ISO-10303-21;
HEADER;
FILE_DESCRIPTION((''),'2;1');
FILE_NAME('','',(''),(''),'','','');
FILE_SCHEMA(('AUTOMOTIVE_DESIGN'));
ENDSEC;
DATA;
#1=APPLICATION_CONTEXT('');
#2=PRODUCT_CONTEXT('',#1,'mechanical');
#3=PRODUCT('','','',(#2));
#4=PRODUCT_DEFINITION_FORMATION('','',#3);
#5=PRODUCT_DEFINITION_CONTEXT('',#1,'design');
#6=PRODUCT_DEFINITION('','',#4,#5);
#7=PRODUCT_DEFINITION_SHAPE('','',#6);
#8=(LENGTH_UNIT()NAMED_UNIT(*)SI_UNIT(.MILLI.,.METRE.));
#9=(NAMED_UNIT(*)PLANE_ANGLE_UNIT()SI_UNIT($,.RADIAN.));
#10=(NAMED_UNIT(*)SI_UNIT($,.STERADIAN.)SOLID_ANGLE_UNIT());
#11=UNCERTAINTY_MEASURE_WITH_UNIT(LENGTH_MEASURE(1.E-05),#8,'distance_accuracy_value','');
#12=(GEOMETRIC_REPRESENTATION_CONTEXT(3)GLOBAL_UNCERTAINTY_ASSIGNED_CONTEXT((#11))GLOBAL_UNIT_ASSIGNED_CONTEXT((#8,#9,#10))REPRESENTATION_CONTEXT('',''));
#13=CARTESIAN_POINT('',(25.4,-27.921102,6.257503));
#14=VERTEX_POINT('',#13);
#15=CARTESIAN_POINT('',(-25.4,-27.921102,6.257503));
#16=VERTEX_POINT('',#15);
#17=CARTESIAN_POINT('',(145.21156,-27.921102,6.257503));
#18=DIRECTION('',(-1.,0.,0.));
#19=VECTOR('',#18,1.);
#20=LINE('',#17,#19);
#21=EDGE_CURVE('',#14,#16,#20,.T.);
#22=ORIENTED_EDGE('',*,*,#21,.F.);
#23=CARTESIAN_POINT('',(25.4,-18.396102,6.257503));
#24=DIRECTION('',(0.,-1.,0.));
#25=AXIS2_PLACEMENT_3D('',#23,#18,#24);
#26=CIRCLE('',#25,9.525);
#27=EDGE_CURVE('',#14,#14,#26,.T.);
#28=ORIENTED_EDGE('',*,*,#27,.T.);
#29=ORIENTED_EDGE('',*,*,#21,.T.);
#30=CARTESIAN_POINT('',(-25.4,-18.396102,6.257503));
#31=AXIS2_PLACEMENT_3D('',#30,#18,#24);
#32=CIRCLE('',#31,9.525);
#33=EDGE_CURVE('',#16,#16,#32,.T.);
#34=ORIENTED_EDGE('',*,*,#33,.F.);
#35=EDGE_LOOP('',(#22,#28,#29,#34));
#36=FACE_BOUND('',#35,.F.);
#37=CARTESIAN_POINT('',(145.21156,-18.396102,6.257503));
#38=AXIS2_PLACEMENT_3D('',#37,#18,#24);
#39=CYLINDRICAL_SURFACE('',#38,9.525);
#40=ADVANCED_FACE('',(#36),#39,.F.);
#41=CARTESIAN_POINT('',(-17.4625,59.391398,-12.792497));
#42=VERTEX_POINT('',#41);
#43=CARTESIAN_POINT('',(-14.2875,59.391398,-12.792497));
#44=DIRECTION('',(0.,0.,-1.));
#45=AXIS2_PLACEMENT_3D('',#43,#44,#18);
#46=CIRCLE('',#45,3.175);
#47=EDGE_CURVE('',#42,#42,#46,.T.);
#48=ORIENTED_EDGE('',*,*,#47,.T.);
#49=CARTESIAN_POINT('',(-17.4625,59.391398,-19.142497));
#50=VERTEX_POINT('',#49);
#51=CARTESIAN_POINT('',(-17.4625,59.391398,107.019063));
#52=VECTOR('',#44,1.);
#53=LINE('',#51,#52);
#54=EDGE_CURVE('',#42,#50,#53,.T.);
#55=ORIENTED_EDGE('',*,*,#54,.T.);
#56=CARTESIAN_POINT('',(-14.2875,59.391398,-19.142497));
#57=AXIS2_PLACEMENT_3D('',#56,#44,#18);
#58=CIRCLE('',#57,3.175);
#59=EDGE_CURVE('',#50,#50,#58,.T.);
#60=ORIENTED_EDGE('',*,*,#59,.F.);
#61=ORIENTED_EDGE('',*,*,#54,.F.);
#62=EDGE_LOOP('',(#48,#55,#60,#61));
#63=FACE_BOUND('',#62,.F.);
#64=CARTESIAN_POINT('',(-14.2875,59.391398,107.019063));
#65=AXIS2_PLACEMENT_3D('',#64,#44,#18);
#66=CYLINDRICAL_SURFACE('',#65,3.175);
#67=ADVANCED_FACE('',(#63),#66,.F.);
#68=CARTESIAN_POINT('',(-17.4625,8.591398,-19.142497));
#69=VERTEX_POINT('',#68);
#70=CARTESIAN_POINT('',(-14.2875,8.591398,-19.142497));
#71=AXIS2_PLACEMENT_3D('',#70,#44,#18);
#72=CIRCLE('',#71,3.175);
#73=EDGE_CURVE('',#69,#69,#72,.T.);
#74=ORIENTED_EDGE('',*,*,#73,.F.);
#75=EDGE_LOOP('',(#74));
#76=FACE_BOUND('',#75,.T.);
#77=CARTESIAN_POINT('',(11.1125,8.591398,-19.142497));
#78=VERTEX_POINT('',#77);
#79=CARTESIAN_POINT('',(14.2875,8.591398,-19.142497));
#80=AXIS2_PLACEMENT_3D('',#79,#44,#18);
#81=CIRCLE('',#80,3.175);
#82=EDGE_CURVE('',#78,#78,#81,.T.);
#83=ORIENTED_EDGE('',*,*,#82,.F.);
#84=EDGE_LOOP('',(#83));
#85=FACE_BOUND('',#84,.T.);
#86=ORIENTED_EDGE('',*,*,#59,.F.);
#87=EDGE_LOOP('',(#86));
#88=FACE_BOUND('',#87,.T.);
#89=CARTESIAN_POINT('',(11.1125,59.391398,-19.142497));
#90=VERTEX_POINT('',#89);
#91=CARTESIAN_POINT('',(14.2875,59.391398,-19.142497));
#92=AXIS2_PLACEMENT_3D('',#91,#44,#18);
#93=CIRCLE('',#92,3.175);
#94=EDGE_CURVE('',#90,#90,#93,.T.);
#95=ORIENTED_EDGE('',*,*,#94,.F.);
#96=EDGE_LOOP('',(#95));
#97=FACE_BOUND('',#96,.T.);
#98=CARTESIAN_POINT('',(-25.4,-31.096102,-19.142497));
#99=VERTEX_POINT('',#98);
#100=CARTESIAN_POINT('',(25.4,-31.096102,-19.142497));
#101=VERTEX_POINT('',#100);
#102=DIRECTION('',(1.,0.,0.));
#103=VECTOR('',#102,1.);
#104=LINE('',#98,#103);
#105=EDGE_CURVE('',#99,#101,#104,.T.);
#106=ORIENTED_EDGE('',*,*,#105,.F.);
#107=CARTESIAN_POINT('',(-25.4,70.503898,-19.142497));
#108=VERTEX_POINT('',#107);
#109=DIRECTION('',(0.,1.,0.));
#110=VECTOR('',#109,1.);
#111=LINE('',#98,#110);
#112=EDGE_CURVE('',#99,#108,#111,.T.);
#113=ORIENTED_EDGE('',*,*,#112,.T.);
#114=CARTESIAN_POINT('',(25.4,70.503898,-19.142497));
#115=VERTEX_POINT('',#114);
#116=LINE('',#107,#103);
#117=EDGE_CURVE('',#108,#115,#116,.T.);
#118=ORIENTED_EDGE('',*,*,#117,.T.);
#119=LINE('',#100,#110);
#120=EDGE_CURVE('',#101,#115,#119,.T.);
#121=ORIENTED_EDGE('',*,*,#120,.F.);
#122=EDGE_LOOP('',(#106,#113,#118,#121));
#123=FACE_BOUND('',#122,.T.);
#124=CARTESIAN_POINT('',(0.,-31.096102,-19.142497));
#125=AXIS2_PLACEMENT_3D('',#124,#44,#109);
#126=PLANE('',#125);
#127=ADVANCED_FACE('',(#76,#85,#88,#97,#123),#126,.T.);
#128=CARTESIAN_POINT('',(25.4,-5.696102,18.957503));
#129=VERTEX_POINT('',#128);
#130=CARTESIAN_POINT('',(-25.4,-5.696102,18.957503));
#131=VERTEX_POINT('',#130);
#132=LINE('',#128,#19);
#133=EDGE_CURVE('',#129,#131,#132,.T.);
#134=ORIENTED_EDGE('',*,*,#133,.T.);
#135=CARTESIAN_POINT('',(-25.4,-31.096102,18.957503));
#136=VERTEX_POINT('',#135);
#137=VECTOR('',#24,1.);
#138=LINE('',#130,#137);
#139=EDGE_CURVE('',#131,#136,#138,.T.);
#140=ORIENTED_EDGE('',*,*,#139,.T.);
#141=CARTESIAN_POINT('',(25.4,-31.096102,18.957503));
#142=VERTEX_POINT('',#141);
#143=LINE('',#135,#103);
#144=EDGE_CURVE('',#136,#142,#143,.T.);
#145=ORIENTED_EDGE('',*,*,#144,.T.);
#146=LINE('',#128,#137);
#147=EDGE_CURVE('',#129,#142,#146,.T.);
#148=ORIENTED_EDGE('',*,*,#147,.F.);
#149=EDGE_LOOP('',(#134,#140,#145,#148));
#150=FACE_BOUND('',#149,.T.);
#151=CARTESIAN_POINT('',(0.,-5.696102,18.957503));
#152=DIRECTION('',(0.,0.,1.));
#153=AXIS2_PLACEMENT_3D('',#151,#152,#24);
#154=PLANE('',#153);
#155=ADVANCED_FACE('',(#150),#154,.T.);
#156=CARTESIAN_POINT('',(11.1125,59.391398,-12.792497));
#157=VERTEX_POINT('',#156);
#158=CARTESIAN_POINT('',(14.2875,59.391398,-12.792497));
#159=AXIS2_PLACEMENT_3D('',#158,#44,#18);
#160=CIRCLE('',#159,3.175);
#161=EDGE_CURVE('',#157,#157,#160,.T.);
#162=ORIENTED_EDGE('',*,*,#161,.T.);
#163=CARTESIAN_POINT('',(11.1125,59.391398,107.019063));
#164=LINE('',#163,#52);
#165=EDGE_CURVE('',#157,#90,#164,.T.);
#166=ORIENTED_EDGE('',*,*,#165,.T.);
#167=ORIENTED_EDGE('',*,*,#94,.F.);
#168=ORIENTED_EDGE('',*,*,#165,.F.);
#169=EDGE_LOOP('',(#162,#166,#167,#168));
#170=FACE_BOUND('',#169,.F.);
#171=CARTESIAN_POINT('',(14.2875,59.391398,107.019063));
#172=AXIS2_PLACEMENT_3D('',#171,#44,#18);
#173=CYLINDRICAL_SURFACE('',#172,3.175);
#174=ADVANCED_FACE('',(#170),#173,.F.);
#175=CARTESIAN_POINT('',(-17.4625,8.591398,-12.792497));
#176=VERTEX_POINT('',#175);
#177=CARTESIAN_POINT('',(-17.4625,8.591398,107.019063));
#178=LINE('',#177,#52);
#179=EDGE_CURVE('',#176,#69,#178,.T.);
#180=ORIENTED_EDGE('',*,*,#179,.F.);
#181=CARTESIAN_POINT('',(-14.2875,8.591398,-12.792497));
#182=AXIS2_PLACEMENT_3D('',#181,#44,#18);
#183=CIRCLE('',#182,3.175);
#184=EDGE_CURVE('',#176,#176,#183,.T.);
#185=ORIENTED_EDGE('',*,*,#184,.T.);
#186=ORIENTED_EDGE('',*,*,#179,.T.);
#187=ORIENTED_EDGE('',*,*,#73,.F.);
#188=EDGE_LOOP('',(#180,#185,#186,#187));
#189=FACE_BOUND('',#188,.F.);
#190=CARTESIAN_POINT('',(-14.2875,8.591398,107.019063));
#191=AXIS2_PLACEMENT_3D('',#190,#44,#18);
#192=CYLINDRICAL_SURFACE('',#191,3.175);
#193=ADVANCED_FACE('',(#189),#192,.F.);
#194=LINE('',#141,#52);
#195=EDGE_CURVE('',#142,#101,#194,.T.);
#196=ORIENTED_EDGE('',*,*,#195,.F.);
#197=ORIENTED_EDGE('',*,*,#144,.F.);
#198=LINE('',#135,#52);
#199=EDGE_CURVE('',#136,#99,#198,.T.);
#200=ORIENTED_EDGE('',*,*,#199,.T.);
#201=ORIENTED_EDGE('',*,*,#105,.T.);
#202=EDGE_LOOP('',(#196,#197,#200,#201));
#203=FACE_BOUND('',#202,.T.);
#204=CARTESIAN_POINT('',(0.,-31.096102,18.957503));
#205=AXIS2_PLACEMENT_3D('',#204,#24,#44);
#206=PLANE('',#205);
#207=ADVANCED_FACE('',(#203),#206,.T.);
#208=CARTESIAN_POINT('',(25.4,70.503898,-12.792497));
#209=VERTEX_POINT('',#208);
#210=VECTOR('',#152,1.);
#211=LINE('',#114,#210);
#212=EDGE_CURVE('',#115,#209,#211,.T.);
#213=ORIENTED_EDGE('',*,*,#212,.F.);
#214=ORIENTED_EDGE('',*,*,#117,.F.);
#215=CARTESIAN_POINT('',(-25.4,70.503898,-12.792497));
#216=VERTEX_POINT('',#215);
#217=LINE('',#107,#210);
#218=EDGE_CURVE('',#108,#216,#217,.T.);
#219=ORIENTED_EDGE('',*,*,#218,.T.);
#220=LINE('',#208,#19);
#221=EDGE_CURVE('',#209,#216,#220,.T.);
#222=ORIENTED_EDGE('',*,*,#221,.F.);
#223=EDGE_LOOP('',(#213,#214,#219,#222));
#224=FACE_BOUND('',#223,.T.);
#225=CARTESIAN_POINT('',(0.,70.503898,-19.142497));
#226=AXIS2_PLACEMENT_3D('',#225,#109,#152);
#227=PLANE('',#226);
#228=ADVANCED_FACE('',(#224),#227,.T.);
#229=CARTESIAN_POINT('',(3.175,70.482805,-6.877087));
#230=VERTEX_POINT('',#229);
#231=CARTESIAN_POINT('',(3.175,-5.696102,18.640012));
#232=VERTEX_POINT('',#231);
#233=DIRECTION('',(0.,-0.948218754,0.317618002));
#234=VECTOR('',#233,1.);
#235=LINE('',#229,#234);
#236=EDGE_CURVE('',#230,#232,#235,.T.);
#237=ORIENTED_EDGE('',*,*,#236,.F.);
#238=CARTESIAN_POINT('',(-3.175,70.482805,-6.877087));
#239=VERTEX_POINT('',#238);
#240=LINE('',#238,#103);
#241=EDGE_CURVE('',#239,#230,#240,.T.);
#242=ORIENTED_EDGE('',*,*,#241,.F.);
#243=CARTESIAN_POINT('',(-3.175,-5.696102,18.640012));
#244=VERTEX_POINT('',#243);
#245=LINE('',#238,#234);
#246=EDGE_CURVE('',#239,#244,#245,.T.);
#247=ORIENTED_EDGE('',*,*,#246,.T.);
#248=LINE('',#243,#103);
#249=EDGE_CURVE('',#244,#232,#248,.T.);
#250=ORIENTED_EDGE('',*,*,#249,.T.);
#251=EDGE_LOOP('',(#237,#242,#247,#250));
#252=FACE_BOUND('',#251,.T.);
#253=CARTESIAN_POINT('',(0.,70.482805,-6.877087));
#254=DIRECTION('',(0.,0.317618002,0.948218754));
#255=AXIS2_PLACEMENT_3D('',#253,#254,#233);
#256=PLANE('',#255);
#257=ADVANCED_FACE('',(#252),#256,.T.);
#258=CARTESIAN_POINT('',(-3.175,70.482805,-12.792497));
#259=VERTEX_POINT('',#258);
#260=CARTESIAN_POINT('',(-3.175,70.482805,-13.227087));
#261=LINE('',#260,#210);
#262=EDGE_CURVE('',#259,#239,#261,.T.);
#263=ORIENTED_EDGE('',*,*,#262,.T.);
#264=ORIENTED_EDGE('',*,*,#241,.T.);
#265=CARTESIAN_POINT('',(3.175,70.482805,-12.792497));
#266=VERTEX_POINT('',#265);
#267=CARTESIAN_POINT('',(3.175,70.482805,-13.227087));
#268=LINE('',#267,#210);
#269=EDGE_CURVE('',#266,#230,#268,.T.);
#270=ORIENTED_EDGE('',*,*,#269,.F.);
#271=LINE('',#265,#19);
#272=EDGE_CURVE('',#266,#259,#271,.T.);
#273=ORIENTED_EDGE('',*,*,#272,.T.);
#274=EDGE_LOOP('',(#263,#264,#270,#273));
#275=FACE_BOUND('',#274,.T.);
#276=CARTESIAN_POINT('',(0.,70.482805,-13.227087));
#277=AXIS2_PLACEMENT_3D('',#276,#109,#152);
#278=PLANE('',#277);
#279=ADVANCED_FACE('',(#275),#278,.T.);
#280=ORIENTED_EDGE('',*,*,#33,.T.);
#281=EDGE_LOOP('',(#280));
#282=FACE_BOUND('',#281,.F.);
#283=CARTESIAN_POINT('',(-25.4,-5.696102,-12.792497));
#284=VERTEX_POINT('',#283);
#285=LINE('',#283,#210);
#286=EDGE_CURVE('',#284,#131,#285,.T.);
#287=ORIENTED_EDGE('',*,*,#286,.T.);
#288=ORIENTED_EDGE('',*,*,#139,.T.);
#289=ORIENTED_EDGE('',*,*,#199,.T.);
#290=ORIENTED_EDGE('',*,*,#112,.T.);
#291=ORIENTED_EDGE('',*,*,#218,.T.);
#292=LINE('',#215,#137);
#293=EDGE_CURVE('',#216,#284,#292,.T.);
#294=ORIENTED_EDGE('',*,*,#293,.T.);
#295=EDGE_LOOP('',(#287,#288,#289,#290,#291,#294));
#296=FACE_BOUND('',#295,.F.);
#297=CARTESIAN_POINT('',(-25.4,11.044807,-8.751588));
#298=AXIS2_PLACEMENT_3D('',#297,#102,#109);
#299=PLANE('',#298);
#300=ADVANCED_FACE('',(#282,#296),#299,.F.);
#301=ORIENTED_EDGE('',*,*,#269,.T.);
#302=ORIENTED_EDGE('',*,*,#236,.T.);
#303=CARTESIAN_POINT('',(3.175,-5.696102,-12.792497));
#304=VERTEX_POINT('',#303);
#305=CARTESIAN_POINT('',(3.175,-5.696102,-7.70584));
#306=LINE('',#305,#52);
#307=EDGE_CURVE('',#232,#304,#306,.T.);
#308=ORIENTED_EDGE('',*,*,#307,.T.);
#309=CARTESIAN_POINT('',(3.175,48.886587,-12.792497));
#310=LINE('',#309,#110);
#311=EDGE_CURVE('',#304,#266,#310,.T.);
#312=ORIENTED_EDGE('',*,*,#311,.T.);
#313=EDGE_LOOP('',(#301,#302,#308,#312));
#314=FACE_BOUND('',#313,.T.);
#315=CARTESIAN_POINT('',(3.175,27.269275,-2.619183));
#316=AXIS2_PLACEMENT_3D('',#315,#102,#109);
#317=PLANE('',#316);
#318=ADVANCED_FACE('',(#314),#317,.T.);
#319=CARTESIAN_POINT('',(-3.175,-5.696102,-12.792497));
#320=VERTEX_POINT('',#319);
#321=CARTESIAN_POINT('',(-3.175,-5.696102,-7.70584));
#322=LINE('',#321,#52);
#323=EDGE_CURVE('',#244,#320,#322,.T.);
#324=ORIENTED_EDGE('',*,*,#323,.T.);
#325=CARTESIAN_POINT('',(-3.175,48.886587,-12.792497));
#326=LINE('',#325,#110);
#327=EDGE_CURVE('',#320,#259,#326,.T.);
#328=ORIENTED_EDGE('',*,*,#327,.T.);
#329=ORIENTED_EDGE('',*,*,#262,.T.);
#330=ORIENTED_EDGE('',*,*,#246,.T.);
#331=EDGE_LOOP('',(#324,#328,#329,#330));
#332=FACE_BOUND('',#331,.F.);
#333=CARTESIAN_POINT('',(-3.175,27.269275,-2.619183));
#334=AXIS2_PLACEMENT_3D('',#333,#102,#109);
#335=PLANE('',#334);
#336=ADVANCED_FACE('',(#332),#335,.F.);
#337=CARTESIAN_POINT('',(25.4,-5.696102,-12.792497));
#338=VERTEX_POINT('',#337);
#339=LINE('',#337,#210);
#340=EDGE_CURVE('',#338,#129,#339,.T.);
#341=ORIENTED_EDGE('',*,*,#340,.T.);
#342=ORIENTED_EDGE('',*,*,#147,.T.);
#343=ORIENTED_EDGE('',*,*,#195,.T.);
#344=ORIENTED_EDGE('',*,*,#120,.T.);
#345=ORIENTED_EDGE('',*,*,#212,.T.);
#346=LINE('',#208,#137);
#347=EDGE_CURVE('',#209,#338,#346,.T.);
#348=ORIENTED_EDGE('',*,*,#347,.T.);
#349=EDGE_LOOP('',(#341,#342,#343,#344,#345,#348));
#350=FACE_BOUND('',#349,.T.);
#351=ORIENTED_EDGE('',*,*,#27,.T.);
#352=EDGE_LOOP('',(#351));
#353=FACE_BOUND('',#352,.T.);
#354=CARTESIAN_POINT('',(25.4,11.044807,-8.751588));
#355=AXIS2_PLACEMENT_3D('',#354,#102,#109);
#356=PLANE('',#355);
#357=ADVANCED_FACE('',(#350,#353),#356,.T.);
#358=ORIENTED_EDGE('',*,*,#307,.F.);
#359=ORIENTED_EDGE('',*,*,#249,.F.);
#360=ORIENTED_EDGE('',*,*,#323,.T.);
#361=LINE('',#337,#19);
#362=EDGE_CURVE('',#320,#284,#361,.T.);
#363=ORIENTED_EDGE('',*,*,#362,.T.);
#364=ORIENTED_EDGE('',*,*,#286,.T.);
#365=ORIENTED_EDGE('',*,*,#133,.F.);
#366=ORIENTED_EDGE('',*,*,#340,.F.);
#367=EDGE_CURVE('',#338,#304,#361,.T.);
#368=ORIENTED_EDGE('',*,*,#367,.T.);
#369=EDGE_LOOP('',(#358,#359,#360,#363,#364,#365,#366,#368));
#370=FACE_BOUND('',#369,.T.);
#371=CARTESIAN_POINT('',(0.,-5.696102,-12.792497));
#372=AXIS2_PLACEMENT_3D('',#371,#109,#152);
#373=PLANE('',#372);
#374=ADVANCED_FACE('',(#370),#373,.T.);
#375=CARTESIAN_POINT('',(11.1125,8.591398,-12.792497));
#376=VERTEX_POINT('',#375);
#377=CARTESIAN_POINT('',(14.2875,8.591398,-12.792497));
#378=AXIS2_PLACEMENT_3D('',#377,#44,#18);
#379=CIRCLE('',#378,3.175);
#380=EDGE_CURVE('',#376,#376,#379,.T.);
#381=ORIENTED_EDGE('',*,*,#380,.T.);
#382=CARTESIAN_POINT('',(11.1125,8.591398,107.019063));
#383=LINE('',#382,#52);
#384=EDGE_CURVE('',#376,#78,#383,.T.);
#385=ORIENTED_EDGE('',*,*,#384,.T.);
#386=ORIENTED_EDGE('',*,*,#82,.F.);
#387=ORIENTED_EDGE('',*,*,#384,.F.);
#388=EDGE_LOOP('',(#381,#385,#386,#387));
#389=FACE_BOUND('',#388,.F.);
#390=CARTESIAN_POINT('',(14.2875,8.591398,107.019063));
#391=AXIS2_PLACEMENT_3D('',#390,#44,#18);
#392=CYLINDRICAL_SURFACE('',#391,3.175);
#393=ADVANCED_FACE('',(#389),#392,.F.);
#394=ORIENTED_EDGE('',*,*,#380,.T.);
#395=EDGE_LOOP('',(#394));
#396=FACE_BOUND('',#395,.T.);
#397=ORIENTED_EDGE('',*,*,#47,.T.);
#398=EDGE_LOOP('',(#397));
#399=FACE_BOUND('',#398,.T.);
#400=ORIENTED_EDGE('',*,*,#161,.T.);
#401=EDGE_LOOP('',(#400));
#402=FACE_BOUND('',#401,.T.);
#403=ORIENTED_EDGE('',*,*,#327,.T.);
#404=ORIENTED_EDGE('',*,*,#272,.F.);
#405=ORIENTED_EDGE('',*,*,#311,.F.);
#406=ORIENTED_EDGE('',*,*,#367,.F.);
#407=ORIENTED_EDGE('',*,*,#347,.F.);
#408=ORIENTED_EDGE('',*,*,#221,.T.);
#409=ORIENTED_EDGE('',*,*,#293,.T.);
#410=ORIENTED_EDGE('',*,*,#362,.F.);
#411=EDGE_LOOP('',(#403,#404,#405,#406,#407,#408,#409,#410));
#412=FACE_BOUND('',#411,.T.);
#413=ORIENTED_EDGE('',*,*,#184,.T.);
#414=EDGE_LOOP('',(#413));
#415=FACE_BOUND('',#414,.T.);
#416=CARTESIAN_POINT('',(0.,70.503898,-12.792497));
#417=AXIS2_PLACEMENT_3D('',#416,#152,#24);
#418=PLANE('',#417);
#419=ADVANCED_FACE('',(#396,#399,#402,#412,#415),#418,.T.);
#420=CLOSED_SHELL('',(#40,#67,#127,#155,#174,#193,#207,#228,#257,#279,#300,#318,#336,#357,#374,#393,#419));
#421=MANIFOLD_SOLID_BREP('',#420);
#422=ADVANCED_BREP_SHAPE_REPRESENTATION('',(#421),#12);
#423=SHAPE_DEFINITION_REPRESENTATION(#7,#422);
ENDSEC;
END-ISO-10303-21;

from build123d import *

# Parameters (mm, degrees)
F1_DEPTH      = 25.4
F1_DEPTH_BACK = 25.4
F4_DEPTH      = 3.175
F4_DEPTH_BACK = 3.175
F6_D          = 19.05
F8_D          = 6.35


with BuildPart() as f1:
    # F0 (on Right) → F1 (new body, two sides)
    with BuildSketch(Plane.YZ) as f1_sk:
        Polygon((-5.696102, 18.957503), (-31.096102, 18.957503), (-31.096102, -19.142497), (70.503898, -19.142497), (70.503898, -12.792497), (-5.696102, -12.792497), align=None)
    extrude(amount=F1_DEPTH)
    extrude(f1_sk.sketch, amount=-F1_DEPTH_BACK)

    # F3 (on Right) → F4 (join, two sides)
    with BuildSketch(Plane.YZ) as f4_sk:
        Polygon((-5.919815, -13.259767), (70.482805, -13.227087), (70.482805, -6.877087), (-5.919815, 18.714948), align=None)
    extrude(amount=F4_DEPTH)
    extrude(f4_sk.sketch, amount=-F4_DEPTH_BACK)

    # F6 (through all)
    with Locations(Plane.YZ.offset(25.4)):
        with Locations((-18.396102, 6.257503)):
            Hole(F6_D / 2)

    # F8 (through all)
    with Locations(Plane.XY.offset(-12.792497)):
        with Locations((-14.2875, 8.591398), (-14.2875, 59.391398), (14.2875, 8.591398), (14.2875, 59.391398)):
            Hole(F8_D / 2)


solid = f1.part
